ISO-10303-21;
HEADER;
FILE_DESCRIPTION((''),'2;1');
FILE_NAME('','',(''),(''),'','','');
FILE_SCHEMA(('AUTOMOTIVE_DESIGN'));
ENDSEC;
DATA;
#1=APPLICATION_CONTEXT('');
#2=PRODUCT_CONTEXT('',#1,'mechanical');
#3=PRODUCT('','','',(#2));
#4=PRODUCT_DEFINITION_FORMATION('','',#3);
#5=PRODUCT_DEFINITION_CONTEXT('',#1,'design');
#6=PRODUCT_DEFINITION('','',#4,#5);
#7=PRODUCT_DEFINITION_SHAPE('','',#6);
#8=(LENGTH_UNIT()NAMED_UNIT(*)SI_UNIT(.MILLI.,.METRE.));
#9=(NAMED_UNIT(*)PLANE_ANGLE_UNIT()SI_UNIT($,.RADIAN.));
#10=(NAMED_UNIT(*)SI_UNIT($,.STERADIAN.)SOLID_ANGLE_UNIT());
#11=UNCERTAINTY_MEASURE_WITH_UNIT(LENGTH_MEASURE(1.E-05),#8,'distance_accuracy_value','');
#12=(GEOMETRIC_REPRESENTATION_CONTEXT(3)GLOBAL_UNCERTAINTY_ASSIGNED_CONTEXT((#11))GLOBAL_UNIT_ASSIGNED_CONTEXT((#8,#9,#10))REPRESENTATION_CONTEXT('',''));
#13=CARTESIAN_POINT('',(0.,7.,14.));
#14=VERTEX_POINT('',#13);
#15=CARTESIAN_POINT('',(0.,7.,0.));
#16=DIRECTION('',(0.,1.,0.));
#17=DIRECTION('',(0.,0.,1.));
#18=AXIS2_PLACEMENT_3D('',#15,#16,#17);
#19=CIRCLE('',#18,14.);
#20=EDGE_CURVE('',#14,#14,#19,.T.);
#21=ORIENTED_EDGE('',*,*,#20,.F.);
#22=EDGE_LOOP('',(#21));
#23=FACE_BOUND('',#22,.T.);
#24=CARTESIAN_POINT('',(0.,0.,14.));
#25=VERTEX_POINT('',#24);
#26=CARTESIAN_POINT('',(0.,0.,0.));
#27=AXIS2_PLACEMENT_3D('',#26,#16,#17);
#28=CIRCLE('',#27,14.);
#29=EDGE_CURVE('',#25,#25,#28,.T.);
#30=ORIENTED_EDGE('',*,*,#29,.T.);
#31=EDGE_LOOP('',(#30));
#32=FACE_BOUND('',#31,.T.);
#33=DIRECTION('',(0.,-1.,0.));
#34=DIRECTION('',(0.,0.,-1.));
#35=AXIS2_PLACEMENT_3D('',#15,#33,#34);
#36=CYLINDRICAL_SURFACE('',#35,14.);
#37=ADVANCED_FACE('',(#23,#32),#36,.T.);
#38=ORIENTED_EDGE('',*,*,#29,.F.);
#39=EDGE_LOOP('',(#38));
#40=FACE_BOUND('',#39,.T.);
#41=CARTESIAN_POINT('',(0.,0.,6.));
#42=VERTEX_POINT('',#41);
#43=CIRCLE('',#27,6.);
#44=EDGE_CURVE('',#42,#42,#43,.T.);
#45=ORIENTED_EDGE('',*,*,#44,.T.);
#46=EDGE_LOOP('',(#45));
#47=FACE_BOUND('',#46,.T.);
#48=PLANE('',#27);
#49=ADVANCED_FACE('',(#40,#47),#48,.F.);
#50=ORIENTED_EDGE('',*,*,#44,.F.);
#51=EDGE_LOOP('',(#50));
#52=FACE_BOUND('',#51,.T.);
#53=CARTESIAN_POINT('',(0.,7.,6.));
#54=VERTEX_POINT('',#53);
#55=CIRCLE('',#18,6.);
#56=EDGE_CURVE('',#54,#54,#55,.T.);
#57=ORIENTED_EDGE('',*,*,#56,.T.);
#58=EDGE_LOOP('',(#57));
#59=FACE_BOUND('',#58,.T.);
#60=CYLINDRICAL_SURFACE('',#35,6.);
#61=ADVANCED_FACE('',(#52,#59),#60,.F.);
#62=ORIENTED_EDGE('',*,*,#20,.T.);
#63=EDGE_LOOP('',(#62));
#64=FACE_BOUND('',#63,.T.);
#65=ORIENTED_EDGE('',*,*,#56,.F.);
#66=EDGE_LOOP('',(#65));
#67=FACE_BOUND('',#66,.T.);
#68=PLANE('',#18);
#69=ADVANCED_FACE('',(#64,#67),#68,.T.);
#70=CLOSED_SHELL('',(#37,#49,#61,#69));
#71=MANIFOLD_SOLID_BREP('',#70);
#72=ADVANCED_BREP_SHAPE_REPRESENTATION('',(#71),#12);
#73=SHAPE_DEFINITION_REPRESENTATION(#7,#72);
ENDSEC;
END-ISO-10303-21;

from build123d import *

# Parameters (mm, degrees)
SKETCH_1_R      = 14
SKETCH_1_R_2    = 6
EXTRUDE_1_DEPTH = 7


with BuildPart() as part:
    # 草图1 → 凸台-拉伸1 (new body)
    with BuildSketch(Plane(origin=(0, 0, 0), x_dir=(1, 0, 0), z_dir=(0, 1, 0))):
        with Locations(Location((0, 0, 0), (0, 0, 270))):
            Circle(SKETCH_1_R)
        with Locations(Location((0, 0, 0), (0, 0, 270))):
            Circle(SKETCH_1_R_2, mode=Mode.SUBTRACT)
    extrude(amount=EXTRUDE_1_DEPTH)


solid = part.part
